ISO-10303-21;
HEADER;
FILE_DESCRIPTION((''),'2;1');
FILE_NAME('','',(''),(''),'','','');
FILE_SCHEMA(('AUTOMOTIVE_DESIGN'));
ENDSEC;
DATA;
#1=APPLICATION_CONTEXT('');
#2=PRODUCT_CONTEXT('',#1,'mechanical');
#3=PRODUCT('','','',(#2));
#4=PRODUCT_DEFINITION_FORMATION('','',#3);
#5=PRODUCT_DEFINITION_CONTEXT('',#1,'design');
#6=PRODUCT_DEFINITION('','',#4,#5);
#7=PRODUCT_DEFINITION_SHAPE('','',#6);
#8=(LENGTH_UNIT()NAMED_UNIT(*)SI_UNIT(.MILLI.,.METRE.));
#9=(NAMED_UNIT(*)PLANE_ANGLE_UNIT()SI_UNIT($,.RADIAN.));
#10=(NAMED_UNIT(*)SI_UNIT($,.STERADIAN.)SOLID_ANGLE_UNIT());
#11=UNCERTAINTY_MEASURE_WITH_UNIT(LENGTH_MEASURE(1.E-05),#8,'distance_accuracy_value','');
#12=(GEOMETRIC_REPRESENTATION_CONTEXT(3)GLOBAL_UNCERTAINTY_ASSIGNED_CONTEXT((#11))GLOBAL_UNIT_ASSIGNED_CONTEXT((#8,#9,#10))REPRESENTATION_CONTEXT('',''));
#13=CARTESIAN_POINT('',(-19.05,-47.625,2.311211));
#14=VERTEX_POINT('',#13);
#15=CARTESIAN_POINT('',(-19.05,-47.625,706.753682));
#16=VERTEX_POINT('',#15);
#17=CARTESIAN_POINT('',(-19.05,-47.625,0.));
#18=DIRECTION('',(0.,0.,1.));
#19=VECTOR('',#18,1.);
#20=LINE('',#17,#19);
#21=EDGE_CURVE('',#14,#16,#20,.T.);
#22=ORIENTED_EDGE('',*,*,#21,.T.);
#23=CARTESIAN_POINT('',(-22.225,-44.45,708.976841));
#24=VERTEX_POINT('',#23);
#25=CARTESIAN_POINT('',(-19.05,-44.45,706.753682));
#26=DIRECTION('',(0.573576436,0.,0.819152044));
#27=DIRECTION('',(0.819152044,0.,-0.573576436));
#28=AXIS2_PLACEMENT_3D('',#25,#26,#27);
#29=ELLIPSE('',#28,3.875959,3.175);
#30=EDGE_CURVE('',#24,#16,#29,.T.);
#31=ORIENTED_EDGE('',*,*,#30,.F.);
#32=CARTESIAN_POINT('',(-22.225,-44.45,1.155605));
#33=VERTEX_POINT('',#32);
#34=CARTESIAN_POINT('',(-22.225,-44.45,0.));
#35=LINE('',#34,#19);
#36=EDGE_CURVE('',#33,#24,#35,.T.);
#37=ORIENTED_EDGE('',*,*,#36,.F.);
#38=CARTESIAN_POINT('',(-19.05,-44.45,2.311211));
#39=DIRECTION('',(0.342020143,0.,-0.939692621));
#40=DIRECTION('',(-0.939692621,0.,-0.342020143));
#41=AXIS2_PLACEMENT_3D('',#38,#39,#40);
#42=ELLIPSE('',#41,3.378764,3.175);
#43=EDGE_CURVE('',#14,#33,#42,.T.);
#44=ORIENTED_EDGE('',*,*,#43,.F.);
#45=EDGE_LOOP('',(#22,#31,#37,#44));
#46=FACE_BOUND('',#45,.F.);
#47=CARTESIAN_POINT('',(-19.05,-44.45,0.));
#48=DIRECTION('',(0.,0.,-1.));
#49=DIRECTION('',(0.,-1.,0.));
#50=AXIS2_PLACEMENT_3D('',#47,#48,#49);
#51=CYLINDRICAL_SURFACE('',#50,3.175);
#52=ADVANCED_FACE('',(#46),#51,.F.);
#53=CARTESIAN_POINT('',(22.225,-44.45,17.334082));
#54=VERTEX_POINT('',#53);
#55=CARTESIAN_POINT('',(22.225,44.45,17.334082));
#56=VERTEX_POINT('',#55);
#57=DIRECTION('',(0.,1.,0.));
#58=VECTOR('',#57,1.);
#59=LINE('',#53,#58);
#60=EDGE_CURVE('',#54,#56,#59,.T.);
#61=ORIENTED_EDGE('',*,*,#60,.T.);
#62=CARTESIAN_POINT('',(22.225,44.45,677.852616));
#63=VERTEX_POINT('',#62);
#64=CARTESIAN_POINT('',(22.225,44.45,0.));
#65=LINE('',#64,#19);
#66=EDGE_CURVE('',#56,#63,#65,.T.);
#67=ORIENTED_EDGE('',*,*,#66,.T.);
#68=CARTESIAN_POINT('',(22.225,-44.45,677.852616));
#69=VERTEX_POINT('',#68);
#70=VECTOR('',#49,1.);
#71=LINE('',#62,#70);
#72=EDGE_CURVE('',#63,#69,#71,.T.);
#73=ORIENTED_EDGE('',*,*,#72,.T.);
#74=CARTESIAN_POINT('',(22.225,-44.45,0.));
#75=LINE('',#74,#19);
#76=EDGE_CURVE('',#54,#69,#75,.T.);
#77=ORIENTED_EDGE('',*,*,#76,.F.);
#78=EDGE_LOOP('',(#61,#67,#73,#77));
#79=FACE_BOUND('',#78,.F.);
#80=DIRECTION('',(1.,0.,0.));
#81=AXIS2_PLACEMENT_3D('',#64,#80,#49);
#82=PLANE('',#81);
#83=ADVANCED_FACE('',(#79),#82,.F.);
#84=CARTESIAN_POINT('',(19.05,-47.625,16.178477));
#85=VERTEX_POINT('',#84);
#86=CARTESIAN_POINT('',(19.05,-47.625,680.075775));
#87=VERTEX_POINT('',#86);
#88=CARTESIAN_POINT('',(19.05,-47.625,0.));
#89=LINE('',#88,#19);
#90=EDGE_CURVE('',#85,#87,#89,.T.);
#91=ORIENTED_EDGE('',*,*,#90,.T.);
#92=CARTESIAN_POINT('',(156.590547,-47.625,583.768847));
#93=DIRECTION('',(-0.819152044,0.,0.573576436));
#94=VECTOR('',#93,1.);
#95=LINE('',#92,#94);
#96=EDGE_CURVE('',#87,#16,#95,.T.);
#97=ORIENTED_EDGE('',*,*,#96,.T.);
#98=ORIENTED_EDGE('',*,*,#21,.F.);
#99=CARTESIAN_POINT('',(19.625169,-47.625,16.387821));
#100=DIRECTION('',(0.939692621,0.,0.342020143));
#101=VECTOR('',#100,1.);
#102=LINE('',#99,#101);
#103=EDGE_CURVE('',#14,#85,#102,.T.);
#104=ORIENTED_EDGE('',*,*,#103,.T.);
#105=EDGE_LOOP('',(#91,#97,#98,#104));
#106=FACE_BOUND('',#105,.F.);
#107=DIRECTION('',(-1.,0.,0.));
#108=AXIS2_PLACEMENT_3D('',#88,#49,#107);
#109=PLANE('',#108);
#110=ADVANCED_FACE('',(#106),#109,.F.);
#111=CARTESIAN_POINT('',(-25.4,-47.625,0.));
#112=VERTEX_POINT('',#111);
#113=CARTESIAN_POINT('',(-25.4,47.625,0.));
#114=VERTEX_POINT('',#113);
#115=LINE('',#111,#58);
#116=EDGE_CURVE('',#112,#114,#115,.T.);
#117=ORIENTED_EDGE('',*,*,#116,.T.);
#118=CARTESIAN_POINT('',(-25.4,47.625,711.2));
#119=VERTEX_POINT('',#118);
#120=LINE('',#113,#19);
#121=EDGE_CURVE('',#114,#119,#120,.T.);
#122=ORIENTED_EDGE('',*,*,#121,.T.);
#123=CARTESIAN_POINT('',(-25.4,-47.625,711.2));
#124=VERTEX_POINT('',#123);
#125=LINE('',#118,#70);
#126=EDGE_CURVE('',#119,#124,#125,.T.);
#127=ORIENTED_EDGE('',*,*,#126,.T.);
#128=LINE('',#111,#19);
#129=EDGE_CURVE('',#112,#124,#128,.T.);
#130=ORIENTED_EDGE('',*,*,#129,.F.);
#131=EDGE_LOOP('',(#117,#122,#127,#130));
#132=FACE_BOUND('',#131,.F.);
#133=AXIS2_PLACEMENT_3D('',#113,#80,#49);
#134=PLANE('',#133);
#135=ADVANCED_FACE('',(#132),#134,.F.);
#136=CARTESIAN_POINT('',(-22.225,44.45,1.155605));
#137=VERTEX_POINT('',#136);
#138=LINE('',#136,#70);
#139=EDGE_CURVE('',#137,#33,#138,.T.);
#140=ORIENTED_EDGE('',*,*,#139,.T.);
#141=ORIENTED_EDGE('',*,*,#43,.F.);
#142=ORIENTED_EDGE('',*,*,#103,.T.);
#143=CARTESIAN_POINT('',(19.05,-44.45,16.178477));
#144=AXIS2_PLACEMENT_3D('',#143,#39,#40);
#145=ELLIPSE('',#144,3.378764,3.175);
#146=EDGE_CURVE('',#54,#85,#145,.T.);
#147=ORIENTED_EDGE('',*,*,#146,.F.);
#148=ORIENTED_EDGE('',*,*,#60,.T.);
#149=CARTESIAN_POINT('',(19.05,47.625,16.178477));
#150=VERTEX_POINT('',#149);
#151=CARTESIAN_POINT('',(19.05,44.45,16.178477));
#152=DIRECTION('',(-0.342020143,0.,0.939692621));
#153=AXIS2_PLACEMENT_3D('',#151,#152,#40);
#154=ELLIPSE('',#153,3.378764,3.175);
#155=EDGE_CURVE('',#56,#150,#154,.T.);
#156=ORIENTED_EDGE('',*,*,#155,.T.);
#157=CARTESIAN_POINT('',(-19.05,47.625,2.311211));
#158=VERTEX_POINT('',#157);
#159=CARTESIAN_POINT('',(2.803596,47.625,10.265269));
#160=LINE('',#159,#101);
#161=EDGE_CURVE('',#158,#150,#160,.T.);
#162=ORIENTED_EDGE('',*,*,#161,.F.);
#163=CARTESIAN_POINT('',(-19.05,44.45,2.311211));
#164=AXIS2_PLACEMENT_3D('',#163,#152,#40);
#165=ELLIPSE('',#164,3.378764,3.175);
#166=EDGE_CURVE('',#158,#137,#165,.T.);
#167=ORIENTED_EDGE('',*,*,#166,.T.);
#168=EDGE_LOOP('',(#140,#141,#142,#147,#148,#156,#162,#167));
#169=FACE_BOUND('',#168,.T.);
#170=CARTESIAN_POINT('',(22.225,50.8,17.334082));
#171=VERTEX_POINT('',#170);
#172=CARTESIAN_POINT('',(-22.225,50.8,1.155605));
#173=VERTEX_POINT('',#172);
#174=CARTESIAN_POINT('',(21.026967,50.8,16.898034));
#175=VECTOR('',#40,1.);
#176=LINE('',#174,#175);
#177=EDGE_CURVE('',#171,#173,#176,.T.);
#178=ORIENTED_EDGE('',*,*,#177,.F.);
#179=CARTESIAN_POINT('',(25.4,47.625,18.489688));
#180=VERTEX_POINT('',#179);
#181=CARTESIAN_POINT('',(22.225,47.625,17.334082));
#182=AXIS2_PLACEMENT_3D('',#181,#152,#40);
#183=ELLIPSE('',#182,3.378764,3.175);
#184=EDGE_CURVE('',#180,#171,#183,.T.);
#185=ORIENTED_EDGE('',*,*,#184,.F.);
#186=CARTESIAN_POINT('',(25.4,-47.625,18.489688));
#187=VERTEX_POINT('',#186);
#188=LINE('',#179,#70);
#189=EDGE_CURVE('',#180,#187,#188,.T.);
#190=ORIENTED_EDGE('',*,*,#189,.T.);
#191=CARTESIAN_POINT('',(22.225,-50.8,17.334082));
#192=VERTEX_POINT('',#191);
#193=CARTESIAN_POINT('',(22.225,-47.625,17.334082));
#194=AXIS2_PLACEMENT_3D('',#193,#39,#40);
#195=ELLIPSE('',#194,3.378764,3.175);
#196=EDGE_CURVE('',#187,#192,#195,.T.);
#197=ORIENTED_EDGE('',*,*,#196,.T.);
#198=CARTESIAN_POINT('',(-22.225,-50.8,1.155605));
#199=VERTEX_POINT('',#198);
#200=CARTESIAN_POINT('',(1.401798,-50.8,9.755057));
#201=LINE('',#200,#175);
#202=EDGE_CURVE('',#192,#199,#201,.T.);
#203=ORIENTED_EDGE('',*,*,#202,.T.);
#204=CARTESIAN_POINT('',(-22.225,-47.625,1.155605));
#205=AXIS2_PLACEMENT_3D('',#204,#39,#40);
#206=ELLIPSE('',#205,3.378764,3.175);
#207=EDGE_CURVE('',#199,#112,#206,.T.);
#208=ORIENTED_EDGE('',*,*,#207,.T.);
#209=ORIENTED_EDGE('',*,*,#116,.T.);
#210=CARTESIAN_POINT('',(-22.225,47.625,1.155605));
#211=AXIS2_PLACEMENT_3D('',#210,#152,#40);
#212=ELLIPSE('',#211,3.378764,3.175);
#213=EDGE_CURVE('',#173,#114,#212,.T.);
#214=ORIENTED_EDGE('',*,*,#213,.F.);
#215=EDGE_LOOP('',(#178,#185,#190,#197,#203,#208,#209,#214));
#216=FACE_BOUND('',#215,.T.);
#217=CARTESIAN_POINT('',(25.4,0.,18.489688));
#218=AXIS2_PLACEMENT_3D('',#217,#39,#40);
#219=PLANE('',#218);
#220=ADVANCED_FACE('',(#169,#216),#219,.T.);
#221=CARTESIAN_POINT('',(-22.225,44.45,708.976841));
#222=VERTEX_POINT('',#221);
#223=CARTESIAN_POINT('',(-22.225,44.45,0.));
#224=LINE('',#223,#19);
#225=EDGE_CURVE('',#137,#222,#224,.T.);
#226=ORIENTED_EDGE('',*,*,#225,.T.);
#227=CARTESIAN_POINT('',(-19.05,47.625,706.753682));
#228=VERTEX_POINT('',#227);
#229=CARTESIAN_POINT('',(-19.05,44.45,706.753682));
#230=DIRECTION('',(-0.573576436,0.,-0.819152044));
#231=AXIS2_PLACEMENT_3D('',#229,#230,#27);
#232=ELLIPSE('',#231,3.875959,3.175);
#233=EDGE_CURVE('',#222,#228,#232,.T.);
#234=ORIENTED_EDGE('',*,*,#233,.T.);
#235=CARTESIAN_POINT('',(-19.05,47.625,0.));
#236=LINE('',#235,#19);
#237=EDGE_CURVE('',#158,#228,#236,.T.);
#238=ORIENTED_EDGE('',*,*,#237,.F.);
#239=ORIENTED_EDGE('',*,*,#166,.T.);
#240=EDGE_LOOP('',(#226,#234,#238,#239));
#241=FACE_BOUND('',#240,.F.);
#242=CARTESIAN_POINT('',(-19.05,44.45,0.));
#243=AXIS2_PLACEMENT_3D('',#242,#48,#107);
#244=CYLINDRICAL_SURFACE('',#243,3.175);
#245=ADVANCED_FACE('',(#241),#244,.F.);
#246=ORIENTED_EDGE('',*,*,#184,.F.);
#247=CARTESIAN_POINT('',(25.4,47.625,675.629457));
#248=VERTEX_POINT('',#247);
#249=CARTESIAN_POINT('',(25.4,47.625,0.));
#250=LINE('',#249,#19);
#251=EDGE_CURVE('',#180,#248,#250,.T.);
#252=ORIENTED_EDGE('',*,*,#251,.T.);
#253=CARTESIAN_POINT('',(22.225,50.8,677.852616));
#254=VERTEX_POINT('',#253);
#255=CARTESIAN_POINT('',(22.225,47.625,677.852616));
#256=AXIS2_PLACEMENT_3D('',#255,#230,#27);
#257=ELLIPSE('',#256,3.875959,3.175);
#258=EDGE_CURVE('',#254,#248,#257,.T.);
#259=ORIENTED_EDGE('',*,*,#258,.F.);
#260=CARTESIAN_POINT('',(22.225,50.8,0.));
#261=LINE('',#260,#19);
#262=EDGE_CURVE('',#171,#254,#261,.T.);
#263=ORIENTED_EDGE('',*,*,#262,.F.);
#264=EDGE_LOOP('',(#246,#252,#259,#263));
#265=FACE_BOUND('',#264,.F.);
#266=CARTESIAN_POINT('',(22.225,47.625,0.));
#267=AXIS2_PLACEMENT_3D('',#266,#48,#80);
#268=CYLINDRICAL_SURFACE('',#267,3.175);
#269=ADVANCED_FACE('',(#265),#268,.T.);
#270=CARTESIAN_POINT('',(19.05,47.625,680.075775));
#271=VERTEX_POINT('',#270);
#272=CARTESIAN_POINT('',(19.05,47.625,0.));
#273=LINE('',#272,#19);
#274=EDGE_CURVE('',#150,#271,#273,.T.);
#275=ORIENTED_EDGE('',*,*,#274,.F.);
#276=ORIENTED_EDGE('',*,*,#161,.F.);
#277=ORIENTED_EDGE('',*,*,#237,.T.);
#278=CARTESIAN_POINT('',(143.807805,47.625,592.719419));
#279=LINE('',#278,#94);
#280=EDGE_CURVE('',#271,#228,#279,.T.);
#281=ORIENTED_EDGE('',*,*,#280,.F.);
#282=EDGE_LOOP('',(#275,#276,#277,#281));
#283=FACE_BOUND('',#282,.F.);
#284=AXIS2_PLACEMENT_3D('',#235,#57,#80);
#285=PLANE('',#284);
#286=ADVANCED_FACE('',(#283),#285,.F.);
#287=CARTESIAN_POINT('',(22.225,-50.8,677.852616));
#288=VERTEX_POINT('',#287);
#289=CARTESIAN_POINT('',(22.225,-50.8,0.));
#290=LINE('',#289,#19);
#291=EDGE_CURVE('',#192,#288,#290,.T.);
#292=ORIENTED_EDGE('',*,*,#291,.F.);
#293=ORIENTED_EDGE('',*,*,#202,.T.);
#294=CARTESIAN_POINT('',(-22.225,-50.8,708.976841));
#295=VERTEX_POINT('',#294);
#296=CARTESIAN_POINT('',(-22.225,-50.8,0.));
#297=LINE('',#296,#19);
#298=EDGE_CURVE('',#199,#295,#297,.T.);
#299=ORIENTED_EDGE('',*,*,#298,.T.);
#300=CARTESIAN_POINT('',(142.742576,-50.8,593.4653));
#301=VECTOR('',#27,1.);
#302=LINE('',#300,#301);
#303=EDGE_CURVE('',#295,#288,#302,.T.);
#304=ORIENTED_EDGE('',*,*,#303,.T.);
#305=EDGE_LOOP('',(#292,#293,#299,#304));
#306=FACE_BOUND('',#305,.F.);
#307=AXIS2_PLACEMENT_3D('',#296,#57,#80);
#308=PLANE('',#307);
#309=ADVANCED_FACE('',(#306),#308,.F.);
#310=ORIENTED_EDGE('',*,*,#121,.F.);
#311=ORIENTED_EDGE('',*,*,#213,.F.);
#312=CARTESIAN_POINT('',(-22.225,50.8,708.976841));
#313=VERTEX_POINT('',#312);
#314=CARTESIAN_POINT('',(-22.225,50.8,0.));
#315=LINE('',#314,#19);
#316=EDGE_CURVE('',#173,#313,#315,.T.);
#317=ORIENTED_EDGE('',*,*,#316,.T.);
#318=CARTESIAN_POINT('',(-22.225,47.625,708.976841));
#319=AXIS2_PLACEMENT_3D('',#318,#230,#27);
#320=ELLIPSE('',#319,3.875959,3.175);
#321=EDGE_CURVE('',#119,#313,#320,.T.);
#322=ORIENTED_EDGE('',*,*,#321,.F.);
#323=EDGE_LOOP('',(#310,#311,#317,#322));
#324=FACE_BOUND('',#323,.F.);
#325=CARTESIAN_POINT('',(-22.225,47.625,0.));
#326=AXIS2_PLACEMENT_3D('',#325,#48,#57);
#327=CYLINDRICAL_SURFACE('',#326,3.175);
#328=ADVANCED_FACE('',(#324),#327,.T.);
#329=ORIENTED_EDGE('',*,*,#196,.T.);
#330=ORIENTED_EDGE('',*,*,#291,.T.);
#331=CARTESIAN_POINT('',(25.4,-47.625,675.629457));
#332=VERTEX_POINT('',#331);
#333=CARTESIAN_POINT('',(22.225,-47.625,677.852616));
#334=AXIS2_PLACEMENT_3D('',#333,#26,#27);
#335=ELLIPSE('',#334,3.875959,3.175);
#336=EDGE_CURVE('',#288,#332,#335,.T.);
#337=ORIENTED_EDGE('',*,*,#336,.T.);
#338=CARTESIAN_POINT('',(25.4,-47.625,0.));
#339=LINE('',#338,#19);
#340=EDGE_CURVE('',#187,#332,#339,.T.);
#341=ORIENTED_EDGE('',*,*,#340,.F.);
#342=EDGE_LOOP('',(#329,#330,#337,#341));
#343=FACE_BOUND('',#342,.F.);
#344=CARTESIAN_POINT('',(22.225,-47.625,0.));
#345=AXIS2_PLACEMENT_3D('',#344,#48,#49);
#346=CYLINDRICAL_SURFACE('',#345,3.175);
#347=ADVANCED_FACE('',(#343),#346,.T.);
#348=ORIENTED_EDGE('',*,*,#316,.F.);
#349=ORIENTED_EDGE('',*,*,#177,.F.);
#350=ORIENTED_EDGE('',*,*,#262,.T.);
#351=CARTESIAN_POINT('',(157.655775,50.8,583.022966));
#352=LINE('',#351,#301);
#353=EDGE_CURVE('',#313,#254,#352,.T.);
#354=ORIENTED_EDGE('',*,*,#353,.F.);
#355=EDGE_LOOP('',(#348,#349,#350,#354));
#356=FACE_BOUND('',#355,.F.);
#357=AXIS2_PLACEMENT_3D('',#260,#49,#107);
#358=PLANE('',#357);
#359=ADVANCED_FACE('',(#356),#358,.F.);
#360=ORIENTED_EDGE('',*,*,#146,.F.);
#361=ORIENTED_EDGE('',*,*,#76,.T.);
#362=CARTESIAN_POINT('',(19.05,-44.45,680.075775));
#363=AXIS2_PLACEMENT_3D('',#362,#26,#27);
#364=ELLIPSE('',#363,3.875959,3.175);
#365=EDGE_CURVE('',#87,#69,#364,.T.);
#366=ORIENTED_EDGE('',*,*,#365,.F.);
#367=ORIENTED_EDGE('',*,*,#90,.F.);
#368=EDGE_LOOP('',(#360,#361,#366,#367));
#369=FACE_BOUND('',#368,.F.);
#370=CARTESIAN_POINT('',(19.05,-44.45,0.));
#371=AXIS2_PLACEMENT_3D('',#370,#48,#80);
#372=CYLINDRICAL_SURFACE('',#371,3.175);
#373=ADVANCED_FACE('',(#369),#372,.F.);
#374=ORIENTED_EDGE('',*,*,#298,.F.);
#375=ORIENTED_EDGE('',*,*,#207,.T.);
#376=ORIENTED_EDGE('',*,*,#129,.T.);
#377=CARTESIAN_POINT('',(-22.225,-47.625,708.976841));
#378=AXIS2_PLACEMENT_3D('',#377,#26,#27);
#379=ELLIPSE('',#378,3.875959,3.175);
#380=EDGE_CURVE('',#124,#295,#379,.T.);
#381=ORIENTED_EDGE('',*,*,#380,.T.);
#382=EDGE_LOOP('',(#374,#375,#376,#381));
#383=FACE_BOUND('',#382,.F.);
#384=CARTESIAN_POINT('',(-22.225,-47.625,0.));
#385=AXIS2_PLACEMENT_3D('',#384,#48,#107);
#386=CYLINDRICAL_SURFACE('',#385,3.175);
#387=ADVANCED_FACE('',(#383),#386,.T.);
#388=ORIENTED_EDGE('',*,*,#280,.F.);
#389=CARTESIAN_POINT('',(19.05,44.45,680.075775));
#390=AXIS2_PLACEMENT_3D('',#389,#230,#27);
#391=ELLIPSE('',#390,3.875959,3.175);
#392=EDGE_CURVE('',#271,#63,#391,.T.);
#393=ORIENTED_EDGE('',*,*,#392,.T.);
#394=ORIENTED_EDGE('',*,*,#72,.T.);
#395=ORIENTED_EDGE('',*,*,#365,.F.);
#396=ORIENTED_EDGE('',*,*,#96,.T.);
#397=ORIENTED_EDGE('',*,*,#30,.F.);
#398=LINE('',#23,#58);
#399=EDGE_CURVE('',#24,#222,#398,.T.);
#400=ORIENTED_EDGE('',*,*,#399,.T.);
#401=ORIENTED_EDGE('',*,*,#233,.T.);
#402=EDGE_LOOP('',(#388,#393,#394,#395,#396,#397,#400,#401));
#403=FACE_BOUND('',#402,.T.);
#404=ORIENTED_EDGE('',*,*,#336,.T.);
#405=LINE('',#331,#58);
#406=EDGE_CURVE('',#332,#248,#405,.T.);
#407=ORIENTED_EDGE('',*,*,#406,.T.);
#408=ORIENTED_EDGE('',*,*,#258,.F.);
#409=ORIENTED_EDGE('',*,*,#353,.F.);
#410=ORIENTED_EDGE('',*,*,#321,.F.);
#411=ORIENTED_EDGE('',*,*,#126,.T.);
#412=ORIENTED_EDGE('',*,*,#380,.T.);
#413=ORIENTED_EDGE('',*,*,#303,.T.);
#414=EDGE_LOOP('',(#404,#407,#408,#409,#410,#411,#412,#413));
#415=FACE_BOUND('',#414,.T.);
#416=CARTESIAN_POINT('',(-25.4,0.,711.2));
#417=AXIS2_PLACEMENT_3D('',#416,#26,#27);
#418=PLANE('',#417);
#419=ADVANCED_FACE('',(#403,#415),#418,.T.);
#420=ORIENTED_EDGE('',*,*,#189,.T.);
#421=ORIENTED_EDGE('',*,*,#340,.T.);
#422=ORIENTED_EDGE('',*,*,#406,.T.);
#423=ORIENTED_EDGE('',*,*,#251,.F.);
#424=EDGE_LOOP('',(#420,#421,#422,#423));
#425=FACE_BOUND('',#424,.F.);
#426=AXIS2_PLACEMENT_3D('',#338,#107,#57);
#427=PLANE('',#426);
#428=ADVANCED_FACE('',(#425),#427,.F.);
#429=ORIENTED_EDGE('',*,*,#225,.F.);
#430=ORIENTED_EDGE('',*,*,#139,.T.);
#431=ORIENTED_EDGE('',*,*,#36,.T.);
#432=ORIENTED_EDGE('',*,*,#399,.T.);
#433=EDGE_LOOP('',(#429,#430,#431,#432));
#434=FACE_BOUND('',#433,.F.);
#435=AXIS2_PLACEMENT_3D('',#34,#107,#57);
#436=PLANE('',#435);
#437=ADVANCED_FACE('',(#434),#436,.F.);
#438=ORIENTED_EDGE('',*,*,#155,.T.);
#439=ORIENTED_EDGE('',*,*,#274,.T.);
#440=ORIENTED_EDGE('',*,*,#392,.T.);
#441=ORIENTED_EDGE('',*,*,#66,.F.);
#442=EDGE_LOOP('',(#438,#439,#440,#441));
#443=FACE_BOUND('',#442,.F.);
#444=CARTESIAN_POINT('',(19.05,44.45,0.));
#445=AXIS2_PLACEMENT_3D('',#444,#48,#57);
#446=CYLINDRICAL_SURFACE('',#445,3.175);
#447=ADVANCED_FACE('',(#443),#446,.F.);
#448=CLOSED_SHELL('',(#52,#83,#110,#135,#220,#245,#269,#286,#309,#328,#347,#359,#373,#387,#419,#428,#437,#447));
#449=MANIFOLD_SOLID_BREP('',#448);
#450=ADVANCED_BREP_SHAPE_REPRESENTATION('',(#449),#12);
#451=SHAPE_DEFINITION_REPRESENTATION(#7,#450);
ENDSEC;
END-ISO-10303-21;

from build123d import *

# Parameters (mm, degrees)
F1_DEPTH      = 711.2
F3_DEPTH      = 50.801
F3_DEPTH_BACK = 50.801
F5_DEPTH      = 50.801
F5_DEPTH_BACK = 50.801


with BuildPart() as f1:
    # F0 (on Top) → F1 (new body)
    with BuildSketch(Plane.XY):
        with BuildLine():
            Line((-22.225, -50.8), (22.225, -50.8))
            ThreePointArc((22.225, -50.8), (24.4700640303, -49.8700640303), (25.4, -47.625))
            Line((25.4, -47.625), (25.4, 47.625))
            ThreePointArc((25.4, 47.625), (24.4700640303, 49.8700640303), (22.225, 50.8))
            Line((22.225, 50.8), (-22.225, 50.8))
            ThreePointArc((-22.225, 50.8), (-24.4700640303, 49.8700640303), (-25.4, 47.625))
            Line((-25.4, 47.625), (-25.4, -47.625))
            ThreePointArc((-25.4, -47.625), (-24.4700640303, -49.8700640303), (-22.225, -50.8))
        make_face()
        with BuildLine():
            ThreePointArc((22.225, -44.45), (21.2950640303, -46.6950640303), (19.05, -47.625))
            Line((19.05, -47.625), (-19.05, -47.625))
            ThreePointArc((-19.05, -47.625), (-21.2950640303, -46.6950640303), (-22.225, -44.45))
            Line((-22.225, -44.45), (-22.225, 44.45))
            ThreePointArc((-22.225, 44.45), (-21.2950640303, 46.6950640303), (-19.05, 47.625))
            Line((-19.05, 47.625), (19.05, 47.625))
            ThreePointArc((19.05, 47.625), (21.2950640303, 46.6950640303), (22.225, 44.45))
            Line((22.225, 44.45), (22.225, -44.45))
        make_face(mode=Mode.SUBTRACT)
    extrude(amount=F1_DEPTH)

    # F2 (on Front) → F3 (cut, two sides)
    with BuildSketch(Plane.XZ) as f3_sk:
        Polygon((25.4, 18.4896879007), (-25.4, 0), (25.4, 0), align=None)
    extrude(amount=-F3_DEPTH, mode=Mode.SUBTRACT)
    extrude(f3_sk.sketch, amount=F3_DEPTH_BACK, mode=Mode.SUBTRACT)

    # F4 (on Front) → F5 (cut, two sides)
    with BuildSketch(Plane.XZ) as f5_sk:
        Polygon((25.4, 711.2), (-25.4, 711.2), (25.4, 675.6294570589), align=None)
    extrude(amount=-F5_DEPTH, mode=Mode.SUBTRACT)
    extrude(f5_sk.sketch, amount=F5_DEPTH_BACK, mode=Mode.SUBTRACT)


solid = f1.part
